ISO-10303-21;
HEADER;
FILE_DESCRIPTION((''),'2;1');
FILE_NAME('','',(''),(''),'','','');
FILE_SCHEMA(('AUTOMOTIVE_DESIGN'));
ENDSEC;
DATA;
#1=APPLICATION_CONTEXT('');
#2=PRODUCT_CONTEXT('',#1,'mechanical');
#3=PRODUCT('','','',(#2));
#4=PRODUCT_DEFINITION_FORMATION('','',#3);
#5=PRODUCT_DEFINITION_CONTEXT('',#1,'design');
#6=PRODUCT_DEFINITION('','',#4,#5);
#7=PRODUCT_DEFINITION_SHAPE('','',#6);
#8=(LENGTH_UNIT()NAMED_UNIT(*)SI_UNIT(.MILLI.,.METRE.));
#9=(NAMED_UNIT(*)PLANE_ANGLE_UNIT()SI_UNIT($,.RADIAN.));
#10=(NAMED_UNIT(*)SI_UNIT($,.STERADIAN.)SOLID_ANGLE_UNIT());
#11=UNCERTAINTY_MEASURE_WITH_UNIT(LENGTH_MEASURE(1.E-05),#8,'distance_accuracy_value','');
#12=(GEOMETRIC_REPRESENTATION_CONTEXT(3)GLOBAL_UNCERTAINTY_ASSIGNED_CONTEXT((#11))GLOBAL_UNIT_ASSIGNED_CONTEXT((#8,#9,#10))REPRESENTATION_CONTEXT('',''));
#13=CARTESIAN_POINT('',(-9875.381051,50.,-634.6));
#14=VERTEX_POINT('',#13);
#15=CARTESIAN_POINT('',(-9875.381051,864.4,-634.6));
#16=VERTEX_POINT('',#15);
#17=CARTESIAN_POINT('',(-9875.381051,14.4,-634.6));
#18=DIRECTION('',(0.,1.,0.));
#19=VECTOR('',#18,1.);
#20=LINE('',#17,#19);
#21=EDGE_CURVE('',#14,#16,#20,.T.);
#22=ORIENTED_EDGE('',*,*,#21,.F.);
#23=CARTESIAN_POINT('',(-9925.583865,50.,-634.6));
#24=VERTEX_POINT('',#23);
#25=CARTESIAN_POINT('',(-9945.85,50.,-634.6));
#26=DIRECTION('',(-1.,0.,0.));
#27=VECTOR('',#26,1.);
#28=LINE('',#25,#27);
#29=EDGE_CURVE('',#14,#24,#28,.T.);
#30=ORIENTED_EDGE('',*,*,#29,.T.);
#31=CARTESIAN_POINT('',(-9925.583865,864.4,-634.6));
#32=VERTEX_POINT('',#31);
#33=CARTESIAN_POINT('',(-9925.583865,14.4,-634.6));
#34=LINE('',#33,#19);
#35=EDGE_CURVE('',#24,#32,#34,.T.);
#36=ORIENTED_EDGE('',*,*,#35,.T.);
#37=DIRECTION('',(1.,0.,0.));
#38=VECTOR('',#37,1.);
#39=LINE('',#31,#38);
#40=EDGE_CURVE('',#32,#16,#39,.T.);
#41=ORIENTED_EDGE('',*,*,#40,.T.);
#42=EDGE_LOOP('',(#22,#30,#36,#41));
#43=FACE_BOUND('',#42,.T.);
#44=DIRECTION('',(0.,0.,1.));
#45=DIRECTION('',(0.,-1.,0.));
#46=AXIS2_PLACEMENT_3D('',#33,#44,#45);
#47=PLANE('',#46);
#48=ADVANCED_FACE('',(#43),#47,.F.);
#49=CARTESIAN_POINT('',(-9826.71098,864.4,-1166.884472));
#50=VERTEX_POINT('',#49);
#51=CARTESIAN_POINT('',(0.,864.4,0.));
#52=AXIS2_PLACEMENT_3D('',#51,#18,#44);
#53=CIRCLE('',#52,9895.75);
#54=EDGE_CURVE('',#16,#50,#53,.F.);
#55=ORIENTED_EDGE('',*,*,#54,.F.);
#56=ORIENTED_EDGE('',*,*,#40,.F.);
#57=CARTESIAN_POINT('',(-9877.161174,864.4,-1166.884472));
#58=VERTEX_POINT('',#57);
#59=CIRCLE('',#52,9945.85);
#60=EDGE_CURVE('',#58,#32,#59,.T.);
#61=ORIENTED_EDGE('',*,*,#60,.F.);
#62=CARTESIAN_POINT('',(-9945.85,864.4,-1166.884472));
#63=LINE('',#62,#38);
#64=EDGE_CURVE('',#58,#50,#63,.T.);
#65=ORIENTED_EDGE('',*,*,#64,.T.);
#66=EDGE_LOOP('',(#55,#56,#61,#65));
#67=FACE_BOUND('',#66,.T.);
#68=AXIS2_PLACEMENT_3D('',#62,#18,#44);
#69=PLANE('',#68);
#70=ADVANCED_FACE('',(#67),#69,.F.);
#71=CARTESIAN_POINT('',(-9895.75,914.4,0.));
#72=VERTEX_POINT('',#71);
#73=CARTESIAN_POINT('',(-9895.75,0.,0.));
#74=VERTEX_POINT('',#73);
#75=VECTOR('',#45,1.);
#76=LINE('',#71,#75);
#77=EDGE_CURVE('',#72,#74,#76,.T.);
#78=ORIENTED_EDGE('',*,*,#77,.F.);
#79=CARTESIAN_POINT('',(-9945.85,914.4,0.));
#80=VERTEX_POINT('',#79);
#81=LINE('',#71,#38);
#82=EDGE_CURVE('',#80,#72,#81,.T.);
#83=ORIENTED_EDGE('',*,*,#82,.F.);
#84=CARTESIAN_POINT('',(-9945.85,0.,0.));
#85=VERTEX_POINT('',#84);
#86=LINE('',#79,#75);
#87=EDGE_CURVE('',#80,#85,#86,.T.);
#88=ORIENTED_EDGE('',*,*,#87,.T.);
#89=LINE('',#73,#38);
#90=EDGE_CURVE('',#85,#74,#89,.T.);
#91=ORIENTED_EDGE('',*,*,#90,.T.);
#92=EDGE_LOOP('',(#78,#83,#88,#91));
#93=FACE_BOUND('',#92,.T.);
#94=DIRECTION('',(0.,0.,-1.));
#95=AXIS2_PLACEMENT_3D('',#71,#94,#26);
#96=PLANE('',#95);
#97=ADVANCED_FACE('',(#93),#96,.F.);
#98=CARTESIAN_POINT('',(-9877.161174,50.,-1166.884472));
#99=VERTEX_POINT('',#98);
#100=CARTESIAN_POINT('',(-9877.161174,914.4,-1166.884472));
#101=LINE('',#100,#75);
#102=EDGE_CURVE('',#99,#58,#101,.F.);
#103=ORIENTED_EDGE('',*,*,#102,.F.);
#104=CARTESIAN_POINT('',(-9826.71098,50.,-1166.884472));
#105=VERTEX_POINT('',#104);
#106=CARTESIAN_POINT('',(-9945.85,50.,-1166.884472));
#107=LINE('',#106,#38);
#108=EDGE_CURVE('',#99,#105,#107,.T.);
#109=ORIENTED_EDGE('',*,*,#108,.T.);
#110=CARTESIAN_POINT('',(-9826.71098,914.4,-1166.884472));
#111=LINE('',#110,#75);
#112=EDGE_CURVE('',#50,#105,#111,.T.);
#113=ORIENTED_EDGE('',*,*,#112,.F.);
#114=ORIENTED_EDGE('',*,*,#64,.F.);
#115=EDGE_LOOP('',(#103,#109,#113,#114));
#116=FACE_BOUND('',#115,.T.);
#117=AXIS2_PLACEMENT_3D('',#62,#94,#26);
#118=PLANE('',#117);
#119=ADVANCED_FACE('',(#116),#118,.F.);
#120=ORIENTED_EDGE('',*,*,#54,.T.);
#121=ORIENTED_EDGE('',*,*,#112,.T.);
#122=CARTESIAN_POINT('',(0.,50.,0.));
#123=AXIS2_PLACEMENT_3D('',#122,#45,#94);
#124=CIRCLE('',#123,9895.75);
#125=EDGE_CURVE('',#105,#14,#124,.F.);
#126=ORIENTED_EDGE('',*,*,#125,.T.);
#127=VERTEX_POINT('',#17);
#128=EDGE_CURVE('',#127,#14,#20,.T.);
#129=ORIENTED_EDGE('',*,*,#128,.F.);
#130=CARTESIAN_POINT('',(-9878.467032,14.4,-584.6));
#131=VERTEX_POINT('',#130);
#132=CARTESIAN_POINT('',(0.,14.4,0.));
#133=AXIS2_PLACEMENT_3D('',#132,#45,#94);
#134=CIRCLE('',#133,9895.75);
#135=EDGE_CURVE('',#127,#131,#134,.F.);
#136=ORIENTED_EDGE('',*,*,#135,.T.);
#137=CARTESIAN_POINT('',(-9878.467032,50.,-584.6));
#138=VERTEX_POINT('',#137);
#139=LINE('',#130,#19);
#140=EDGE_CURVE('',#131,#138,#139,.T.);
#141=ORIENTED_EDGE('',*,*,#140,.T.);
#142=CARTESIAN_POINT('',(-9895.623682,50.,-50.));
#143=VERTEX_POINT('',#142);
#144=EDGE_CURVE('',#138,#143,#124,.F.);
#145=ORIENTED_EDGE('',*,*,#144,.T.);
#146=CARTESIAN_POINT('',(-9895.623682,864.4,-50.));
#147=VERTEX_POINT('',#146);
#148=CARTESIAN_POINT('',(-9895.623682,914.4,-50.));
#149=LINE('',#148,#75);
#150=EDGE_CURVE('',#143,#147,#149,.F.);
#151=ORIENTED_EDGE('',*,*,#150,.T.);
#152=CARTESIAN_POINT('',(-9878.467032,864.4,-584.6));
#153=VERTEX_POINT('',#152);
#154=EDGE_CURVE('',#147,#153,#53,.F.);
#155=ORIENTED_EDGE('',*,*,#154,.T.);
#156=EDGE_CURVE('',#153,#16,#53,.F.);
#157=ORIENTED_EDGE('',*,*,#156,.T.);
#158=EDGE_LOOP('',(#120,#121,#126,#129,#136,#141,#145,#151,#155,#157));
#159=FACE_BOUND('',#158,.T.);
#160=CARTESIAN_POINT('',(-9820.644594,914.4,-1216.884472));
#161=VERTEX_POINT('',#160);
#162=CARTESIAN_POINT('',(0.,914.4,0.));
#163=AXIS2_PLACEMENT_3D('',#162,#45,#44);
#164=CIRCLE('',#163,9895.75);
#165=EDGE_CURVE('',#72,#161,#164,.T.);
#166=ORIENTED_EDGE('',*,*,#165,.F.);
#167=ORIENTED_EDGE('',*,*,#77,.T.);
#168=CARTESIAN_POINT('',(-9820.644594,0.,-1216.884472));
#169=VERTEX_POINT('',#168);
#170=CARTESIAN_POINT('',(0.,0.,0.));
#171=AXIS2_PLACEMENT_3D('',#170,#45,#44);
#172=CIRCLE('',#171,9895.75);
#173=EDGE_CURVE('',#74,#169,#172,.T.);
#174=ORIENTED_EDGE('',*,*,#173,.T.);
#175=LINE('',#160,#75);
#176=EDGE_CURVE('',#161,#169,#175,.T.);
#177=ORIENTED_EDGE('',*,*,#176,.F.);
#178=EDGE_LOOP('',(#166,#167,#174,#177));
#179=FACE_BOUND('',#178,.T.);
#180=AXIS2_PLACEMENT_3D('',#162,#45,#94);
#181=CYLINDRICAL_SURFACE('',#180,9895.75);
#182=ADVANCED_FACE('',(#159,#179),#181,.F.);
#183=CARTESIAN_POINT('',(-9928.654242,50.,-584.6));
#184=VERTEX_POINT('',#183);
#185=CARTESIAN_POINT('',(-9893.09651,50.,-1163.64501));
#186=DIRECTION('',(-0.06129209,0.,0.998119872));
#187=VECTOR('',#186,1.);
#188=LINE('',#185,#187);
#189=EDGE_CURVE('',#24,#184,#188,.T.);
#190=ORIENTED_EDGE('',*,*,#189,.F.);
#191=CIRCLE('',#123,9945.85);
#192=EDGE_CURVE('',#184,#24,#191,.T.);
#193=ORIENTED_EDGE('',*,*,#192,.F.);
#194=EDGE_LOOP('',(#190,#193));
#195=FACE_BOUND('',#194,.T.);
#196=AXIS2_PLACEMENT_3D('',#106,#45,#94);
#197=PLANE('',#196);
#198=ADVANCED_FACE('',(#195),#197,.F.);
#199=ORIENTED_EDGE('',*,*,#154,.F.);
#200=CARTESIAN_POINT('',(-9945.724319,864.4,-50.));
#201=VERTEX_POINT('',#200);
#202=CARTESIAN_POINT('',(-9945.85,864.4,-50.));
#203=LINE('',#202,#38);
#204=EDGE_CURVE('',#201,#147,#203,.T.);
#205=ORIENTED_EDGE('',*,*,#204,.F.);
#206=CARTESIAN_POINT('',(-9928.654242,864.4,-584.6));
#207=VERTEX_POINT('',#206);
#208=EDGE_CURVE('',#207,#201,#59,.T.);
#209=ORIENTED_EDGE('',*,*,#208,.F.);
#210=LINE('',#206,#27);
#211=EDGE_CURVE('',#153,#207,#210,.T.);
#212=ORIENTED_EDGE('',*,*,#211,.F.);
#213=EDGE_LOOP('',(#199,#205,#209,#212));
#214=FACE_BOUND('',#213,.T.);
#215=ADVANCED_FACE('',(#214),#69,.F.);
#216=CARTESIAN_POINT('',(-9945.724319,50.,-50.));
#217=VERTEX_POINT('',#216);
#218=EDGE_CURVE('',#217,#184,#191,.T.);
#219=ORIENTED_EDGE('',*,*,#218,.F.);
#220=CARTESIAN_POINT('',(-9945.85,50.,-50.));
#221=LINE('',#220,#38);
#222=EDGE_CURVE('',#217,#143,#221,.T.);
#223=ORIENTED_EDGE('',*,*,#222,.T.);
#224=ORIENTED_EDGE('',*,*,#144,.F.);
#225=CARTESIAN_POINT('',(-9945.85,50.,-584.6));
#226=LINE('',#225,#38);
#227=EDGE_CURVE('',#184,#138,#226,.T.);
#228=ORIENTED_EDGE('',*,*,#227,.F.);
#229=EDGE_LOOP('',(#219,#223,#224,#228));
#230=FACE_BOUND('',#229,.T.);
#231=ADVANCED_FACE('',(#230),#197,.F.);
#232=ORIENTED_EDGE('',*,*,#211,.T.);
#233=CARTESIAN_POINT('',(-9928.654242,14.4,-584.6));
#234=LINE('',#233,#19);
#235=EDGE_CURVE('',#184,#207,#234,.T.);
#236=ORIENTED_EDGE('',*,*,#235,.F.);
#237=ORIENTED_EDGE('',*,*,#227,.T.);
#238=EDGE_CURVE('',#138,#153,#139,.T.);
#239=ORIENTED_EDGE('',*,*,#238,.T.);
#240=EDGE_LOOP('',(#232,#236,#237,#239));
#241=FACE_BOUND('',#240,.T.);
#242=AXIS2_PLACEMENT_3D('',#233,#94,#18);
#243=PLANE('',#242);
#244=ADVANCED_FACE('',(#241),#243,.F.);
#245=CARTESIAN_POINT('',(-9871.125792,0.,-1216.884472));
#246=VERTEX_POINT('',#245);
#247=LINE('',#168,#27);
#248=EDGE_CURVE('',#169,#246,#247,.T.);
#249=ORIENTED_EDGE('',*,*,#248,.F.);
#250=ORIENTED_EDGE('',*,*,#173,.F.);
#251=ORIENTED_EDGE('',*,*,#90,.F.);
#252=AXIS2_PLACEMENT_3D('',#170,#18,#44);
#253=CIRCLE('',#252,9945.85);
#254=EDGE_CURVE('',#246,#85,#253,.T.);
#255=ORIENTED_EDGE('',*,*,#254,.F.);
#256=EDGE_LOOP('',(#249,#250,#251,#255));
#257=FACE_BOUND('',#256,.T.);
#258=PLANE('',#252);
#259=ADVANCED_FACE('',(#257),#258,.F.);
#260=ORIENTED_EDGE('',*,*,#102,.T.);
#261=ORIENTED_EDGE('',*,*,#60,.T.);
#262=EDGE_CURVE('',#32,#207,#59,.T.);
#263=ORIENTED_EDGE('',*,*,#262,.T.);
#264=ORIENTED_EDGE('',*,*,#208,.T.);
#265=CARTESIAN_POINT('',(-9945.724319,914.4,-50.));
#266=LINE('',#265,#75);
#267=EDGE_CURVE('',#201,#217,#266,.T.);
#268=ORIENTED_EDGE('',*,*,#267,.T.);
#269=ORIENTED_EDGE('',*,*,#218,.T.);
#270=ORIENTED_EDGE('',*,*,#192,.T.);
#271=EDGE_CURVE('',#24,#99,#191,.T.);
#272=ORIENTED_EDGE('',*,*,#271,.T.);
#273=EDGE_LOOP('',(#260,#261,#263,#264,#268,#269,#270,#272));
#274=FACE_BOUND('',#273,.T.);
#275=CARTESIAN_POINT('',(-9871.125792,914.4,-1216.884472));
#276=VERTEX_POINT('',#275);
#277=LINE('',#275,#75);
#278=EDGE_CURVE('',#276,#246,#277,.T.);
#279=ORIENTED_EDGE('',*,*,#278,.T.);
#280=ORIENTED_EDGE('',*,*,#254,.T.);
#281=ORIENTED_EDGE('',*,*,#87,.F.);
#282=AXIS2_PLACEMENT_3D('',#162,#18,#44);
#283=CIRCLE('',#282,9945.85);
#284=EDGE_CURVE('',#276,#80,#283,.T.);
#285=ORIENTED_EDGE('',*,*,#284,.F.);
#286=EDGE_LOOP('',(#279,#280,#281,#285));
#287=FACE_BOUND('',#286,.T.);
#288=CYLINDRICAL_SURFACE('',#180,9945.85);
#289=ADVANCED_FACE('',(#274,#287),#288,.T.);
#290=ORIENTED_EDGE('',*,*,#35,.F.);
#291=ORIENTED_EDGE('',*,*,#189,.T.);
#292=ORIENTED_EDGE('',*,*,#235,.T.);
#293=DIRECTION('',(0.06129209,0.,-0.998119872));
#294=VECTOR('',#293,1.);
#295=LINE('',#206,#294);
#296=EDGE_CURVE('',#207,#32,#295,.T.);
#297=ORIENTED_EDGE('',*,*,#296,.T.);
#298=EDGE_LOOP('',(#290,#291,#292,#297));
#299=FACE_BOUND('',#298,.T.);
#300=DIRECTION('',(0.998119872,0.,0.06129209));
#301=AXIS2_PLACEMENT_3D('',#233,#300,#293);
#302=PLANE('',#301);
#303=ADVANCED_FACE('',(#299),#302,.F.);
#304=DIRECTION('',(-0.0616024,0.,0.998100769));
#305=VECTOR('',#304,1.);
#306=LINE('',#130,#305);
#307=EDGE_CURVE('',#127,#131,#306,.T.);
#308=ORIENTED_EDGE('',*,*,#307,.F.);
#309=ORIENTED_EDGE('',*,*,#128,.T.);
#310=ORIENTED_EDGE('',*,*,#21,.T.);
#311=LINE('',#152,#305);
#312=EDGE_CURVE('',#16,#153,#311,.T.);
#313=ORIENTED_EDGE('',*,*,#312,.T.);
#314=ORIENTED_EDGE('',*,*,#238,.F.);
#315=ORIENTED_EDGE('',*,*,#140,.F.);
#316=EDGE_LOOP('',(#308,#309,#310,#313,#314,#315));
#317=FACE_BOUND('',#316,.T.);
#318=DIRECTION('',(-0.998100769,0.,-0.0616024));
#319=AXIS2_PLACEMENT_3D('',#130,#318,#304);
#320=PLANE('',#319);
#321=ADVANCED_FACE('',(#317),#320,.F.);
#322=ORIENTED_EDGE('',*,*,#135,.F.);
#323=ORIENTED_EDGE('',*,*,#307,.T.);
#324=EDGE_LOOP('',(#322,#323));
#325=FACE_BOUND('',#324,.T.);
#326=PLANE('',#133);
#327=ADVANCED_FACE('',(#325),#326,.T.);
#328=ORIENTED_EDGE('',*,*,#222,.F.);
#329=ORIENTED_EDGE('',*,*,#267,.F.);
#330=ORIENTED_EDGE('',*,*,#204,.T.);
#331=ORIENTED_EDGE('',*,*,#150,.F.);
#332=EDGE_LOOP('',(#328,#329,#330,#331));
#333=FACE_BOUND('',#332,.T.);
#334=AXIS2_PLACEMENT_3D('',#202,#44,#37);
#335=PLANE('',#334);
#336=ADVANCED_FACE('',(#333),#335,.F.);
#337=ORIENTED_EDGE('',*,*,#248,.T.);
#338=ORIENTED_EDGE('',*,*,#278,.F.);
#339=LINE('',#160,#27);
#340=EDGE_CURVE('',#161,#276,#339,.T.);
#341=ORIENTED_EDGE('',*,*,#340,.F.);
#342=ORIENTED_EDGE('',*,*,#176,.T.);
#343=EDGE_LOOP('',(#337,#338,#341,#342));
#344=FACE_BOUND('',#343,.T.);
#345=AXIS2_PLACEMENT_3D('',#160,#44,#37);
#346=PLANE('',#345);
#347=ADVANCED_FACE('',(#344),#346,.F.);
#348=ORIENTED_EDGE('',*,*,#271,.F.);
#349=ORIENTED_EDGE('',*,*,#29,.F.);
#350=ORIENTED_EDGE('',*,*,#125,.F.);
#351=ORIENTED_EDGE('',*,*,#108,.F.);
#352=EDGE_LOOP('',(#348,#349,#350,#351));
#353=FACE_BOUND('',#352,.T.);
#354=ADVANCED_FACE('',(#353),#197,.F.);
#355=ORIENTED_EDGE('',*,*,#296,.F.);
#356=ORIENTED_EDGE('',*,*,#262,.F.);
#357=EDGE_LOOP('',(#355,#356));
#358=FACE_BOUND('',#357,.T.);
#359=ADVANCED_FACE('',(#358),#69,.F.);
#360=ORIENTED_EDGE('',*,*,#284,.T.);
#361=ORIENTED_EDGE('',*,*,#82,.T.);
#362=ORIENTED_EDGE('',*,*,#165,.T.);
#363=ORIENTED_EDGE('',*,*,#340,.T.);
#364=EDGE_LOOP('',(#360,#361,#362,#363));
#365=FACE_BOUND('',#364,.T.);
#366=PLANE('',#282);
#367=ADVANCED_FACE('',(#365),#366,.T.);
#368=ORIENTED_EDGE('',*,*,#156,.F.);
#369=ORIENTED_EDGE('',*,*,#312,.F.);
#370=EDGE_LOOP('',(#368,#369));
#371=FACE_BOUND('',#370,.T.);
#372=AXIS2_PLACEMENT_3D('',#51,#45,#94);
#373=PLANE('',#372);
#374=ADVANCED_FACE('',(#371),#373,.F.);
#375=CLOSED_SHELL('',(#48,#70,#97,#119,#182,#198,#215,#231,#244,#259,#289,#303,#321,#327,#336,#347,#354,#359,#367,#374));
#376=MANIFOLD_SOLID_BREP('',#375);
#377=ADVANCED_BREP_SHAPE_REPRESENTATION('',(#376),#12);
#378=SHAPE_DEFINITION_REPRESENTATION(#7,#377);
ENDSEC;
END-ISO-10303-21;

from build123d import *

# Parameters (mm, degrees)
BOSS_EXTRUDE1_DEPTH = 914.4
SKETCH2_W           = 1116.884471925
SKETCH2_H           = 814.4
CUT_EXTRUDE1_DEPTH  = 19950.853735504
BOSS_EXTRUDE3_DEPTH = 850


with BuildPart() as part:
    # Sketch1 → Boss-Extrude1 (new body)
    with BuildSketch(Plane(origin=(0, 0, 0), x_dir=(1, 0, 0), z_dir=(0, 1, 0))):
        with BuildLine():
            Line((-9820.644594144, 1216.884471925), (-9871.125792152, 1216.884471925))
            ThreePointArc((-9871.125792152, 1216.884471925), (-9927.151370921, 609.588288366), (-9945.85, 0))
            Line((-9945.85, 0), (-9895.75, 0))
            ThreePointArc((-9895.75, 0), (-9876.955801384, 609.6), (-9820.644594144, 1216.884471925))
        make_face()
    extrude(amount=BOSS_EXTRUDE1_DEPTH)

    # Sketch2 → Cut-Extrude1 (cut, through all)
    with BuildSketch(Plane(origin=(9945.85, 0, 0), x_dir=(0, 0, -1), z_dir=(1, 0, 0))):
        with Locations((608.442235963, 457.2)):
            Rectangle(SKETCH2_W, SKETCH2_H)
    extrude(amount=-CUT_EXTRUDE1_DEPTH, mode=Mode.SUBTRACT)

    # Sketch5 → Boss-Extrude3 (add)
    with BuildSketch(Plane.XZ.offset(-864.4)):
        Polygon((-9925.583865068, -634.6), (-9875.381051003, -634.6), (-9878.46703201, -584.6), (-9928.654242268, -584.6), align=None)
    extrude(amount=BOSS_EXTRUDE3_DEPTH)


solid = part.part
